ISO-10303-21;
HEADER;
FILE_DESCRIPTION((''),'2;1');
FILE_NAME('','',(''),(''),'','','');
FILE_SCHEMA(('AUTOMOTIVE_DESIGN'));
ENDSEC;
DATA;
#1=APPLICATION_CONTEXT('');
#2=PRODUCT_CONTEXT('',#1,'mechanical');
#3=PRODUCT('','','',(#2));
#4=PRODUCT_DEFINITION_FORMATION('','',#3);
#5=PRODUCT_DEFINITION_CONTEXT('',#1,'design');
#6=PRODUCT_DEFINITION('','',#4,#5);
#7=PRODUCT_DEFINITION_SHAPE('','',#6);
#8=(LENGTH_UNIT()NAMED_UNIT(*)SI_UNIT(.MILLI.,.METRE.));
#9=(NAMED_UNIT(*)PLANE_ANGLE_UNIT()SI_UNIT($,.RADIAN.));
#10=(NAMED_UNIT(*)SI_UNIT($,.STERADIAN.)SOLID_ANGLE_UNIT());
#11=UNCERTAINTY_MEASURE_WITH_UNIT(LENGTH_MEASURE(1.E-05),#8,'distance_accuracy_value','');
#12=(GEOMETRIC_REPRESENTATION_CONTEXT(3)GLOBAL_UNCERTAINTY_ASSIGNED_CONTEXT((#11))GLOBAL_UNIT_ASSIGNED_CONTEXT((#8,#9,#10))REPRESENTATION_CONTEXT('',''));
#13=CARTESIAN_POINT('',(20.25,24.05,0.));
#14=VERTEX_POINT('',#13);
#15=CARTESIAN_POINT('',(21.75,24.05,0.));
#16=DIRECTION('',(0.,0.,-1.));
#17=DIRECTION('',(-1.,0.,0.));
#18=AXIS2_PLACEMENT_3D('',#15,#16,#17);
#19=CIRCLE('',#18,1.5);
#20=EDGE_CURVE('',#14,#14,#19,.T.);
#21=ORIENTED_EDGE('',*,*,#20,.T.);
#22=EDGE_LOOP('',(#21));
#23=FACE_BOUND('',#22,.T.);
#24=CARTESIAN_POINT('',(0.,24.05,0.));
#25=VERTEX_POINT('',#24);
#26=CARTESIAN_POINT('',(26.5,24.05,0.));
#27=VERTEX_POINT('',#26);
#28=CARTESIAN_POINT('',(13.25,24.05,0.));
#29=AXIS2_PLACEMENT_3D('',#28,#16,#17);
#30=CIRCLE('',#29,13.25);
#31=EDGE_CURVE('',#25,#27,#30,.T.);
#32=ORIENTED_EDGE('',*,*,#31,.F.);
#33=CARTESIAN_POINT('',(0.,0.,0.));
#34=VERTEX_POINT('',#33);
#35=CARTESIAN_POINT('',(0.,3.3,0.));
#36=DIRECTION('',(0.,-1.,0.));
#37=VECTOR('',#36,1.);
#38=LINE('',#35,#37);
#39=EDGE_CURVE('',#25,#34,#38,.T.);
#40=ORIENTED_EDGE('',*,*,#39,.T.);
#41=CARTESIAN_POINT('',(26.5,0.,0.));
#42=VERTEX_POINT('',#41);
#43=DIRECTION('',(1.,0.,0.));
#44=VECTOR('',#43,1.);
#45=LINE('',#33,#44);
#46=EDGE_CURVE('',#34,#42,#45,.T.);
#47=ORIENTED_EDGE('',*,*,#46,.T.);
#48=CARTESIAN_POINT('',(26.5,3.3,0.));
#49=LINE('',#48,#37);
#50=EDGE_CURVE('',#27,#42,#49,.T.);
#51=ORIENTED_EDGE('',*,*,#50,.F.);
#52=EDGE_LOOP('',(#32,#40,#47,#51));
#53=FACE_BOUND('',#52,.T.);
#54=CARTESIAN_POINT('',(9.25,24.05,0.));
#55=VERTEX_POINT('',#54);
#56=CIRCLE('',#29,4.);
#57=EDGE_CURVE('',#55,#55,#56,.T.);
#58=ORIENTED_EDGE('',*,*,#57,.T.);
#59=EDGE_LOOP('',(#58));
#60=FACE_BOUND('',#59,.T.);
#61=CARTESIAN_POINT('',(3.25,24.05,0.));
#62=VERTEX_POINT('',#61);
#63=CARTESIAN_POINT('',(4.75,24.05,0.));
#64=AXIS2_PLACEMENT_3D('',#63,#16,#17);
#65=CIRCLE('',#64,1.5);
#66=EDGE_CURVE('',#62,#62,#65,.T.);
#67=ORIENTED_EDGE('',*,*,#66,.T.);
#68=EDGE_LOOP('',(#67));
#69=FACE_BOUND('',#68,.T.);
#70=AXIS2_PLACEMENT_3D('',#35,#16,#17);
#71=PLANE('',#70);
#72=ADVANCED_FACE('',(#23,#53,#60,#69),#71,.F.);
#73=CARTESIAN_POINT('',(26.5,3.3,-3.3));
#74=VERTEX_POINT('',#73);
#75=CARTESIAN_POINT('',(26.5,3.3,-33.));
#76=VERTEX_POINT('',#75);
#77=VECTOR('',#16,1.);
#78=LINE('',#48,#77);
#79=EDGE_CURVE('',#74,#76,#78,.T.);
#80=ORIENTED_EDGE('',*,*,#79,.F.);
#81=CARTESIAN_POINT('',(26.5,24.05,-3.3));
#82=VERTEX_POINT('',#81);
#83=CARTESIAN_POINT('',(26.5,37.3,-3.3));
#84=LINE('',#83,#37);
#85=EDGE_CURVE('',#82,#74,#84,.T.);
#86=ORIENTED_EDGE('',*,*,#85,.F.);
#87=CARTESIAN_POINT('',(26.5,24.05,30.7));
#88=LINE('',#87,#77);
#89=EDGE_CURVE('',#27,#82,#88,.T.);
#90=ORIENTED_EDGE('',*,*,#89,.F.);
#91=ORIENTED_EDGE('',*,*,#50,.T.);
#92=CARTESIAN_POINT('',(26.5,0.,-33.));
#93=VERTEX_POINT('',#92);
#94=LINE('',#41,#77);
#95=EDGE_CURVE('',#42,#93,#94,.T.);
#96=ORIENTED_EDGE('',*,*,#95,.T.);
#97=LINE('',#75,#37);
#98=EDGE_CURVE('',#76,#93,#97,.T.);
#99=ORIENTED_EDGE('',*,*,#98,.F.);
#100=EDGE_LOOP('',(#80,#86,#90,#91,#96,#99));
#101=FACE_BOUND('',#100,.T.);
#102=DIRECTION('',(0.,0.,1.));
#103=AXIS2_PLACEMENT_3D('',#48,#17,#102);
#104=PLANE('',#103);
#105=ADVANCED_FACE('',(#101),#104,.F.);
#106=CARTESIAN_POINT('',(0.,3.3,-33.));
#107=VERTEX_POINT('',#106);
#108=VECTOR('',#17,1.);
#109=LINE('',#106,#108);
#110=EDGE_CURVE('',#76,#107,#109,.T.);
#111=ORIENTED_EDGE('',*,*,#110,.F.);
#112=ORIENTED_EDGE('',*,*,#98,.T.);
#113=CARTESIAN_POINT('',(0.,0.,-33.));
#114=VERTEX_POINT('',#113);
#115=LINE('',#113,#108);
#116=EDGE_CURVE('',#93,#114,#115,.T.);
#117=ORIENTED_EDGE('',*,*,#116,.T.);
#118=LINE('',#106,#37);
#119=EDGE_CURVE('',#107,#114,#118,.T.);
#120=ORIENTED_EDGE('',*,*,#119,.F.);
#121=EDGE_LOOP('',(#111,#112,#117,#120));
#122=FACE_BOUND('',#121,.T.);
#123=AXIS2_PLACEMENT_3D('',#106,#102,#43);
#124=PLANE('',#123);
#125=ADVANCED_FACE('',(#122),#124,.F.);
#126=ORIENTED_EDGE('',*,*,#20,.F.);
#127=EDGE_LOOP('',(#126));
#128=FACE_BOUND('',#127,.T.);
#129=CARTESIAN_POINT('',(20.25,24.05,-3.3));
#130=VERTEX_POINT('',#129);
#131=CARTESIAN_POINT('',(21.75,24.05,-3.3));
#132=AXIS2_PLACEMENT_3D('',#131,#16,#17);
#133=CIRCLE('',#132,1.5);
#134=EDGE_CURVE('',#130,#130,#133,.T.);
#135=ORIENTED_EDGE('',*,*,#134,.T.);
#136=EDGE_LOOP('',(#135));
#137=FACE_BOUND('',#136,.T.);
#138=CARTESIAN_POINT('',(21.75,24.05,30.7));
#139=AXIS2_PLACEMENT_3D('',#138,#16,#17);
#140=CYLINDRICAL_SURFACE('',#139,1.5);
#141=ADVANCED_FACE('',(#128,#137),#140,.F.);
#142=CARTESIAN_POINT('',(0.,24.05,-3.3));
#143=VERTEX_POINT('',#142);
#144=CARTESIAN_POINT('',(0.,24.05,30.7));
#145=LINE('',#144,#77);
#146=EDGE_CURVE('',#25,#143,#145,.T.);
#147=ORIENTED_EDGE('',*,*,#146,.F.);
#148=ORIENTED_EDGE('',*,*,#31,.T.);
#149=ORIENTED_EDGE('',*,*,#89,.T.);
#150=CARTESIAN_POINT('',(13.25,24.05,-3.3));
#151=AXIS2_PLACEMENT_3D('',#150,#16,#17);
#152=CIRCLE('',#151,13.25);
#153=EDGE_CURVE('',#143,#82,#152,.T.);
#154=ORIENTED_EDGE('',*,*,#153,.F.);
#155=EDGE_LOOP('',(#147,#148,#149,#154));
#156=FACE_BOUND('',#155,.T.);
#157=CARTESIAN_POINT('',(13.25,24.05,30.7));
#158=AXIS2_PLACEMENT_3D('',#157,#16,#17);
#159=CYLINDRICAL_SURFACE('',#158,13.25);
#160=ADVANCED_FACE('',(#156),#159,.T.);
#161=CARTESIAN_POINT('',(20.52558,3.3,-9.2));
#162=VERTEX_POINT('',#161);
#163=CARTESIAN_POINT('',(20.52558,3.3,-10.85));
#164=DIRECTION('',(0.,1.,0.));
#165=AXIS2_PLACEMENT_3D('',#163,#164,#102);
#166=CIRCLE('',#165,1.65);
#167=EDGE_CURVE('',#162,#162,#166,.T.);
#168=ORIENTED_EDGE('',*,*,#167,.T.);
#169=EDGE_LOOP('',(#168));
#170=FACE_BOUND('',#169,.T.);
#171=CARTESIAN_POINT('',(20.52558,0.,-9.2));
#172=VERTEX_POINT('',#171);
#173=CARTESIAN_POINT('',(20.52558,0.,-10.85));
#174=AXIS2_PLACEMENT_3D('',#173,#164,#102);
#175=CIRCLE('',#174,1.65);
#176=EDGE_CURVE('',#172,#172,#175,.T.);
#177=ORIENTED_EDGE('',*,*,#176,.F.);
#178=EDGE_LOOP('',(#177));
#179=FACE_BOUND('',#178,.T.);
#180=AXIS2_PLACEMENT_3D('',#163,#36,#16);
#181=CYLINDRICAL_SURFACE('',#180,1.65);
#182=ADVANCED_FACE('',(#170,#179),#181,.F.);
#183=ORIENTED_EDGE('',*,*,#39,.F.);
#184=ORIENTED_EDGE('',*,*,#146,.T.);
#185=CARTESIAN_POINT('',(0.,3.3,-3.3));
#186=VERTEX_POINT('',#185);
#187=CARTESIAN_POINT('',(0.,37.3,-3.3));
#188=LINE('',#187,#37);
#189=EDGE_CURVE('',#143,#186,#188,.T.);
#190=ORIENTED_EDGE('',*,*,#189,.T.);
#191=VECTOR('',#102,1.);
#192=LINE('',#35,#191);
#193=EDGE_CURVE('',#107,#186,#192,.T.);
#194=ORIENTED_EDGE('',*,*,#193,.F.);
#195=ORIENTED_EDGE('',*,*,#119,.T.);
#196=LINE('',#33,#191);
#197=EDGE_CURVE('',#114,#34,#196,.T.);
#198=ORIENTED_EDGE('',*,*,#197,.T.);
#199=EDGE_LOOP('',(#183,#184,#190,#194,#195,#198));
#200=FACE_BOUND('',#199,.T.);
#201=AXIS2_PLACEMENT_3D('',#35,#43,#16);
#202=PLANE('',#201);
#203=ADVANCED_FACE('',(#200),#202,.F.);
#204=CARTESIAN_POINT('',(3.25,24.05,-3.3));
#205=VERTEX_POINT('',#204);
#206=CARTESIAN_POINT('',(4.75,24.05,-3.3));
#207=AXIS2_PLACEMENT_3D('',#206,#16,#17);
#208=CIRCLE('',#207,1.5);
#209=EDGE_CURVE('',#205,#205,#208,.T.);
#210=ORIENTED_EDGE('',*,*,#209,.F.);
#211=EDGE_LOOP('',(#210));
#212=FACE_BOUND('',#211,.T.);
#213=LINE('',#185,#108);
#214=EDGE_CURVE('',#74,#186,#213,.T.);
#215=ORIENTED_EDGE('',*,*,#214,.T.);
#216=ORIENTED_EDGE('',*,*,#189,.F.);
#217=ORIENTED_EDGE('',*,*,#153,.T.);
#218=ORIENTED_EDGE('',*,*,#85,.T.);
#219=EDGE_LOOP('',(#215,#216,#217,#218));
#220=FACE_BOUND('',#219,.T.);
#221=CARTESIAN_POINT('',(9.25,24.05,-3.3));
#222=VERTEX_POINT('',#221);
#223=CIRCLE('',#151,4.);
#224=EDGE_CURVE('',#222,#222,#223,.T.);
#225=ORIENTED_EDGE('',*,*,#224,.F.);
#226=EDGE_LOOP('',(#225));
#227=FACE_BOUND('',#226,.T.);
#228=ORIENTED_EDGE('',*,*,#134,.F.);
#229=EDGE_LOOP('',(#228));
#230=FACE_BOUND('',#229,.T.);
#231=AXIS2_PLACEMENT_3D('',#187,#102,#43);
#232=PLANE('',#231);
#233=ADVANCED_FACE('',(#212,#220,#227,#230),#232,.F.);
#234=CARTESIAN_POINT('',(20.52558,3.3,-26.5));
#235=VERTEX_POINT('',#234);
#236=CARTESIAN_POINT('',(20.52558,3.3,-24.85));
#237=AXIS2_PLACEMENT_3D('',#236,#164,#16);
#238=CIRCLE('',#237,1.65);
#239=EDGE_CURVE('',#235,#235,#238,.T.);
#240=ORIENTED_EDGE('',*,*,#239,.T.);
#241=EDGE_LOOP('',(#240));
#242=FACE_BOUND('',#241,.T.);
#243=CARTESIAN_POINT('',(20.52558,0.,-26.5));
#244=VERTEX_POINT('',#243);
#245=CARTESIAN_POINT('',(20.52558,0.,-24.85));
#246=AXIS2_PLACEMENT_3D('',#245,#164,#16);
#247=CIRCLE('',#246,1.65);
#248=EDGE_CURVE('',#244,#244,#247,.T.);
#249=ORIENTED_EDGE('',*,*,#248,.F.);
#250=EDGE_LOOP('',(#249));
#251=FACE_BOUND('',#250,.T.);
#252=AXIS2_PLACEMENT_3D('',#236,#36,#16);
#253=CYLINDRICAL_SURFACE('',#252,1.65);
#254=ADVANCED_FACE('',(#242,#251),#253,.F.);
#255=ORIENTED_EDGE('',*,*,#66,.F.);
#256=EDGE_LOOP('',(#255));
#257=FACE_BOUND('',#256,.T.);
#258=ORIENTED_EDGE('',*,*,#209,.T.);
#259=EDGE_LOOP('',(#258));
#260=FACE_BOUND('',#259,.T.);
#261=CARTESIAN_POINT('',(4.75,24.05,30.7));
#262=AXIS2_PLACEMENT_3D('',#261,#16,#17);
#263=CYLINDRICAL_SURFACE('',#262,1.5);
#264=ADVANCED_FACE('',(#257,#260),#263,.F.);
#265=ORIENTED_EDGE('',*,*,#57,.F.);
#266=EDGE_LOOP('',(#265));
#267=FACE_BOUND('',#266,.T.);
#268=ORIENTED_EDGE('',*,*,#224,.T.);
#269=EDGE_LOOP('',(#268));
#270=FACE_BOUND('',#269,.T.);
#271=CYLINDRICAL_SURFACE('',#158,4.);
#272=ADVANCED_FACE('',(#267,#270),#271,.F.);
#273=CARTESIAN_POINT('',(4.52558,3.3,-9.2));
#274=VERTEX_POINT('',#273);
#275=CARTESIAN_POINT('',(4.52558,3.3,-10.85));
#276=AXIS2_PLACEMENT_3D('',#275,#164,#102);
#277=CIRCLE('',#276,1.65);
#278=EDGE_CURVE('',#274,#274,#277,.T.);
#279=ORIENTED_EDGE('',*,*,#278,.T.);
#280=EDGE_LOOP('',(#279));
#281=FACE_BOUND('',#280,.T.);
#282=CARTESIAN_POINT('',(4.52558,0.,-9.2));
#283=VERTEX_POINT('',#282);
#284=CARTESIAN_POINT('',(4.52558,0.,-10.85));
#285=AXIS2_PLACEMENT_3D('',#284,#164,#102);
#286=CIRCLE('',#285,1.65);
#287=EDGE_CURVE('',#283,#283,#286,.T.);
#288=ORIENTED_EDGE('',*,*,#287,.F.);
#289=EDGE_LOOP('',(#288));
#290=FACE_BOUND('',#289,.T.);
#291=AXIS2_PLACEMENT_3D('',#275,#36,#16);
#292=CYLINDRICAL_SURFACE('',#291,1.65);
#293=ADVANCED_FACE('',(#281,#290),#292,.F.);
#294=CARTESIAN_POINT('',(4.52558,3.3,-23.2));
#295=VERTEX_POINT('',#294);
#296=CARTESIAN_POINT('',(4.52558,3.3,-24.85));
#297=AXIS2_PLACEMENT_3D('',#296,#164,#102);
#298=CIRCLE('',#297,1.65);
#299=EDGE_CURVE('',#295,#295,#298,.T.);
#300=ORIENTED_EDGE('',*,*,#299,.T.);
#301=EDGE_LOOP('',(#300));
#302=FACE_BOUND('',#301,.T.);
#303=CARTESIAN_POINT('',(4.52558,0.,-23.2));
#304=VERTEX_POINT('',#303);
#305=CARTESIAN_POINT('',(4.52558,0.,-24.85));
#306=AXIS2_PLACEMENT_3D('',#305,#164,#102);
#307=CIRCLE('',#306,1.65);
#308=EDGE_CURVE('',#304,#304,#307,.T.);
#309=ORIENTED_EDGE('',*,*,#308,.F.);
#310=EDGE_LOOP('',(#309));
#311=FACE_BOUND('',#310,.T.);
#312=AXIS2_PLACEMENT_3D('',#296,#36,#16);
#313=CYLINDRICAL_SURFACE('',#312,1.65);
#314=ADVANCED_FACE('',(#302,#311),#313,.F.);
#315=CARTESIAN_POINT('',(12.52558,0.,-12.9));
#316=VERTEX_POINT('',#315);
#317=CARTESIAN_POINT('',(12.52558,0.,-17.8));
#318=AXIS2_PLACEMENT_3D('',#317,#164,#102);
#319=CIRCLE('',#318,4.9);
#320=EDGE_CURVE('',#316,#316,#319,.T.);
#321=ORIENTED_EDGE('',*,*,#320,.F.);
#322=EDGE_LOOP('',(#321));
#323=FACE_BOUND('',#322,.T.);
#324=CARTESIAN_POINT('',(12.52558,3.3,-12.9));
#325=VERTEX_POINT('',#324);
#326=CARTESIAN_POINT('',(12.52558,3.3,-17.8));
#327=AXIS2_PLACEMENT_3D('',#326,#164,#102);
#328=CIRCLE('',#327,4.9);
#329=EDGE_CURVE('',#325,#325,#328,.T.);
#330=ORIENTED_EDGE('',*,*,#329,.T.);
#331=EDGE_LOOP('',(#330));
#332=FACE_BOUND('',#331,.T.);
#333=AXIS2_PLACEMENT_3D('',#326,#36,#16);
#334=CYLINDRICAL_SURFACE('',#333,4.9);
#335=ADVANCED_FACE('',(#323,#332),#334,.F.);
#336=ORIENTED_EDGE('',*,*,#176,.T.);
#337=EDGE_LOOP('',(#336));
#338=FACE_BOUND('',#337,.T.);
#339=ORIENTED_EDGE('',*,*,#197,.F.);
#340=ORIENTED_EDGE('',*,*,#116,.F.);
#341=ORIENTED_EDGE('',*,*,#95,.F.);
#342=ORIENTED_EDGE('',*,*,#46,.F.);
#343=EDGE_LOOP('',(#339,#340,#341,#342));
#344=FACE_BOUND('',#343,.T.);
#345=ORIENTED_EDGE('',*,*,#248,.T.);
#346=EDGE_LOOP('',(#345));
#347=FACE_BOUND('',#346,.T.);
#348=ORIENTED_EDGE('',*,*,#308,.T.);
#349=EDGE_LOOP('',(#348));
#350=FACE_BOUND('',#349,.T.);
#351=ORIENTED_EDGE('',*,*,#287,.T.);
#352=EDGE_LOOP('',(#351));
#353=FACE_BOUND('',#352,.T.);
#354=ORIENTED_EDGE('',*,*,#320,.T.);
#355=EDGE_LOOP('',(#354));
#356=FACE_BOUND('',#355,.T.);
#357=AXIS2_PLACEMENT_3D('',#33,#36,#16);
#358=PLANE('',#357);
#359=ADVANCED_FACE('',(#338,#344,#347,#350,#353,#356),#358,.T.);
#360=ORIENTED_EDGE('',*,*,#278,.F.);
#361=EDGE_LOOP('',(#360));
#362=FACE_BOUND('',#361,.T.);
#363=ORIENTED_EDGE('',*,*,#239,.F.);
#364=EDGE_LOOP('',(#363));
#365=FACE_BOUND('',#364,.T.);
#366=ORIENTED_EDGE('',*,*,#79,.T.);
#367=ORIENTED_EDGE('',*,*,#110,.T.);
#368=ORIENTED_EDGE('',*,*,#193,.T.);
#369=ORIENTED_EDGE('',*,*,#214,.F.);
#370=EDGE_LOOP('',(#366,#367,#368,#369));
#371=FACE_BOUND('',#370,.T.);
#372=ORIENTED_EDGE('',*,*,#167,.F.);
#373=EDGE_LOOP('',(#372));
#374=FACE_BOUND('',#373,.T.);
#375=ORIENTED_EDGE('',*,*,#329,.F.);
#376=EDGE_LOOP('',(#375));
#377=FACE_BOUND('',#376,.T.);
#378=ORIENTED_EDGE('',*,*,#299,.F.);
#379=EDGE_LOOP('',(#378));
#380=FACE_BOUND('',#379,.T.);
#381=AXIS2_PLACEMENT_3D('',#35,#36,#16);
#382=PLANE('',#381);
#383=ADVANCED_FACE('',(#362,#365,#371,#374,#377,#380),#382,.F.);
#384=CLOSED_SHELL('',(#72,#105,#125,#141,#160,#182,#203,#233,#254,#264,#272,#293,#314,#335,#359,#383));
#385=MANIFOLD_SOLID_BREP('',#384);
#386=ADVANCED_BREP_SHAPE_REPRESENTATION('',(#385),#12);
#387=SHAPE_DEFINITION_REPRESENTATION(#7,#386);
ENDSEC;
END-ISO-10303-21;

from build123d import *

# Parameters (mm, degrees)
SKETCH_1_W          = 26.5
SKETCH_1_H          = 33
SKETCH_1_R          = 4.9
SKETCH_1_R_2        = 1.65
EXTRUDE_1_DEPTH     = 3.3
SKETCH_2_W          = 26.5
SKETCH_2_H          = 3.3
EXTRUDE_2_DEPTH     = 34
CUT_EXTRUDE_3_DEPTH = 34
SKETCH_4_R          = 4
SKETCH_4_R_2        = 1.5
CUT_EXTRUDE_4_DEPTH = 34


with BuildPart() as part:
    # 草图1 → 凸台-拉伸1 (new body)
    with BuildSketch(Plane(origin=(0, 0, 0), x_dir=(1, 0, 0), z_dir=(0, 1, 0))):
        with Locations((13.25, 16.5)):
            Rectangle(SKETCH_1_W, SKETCH_1_H)
        with Locations(Location((12.525580031, 17.8, 0), (0, 0, 270))):
            Circle(SKETCH_1_R, mode=Mode.SUBTRACT)
        with Locations(Location((4.525580031, 24.85, 0), (0, 0, 270))):
            Circle(SKETCH_1_R_2, mode=Mode.SUBTRACT)
        with Locations(Location((20.525580031, 24.85, 0), (0, 0, 90))):
            Circle(SKETCH_1_R_2, mode=Mode.SUBTRACT)
        with Locations(Location((4.525580031, 10.85, 0), (0, 0, 270))):
            Circle(SKETCH_1_R_2, mode=Mode.SUBTRACT)
        with Locations(Location((20.525580031, 10.85, 0), (0, 0, 270))):
            Circle(SKETCH_1_R_2, mode=Mode.SUBTRACT)
    extrude(amount=EXTRUDE_1_DEPTH)

    # 草图2 → 凸台-拉伸2 (add)
    with BuildSketch(Plane(origin=(0, 3.3, 0), x_dir=(1, 0, 0), z_dir=(0, 1, 0))):
        with Locations((13.25, 1.65)):
            Rectangle(SKETCH_2_W, SKETCH_2_H)
    extrude(amount=EXTRUDE_2_DEPTH)

    # 草图3 → 切除-拉伸3 (cut)
    with BuildSketch(Plane(origin=(0, 0, -3.3), x_dir=(-1, 0, 0), z_dir=(0, 0, -1))):
        with BuildLine():
            Line((-26.5, 37.3), (-26.5, 24.05))
            ThreePointArc((-26.5, 24.05), (-22.619164851, 33.419164851), (-13.25, 37.3))
            Line((-13.25, 37.3), (-26.5, 37.3))
        make_face()
        with BuildLine():
            ThreePointArc((-13.25, 37.3), (-3.880835149, 33.419164851), (0, 24.05))
            Line((0, 24.05), (0, 37.3))
            Line((0, 37.3), (-13.25, 37.3))
        make_face()
    extrude(amount=-CUT_EXTRUDE_3_DEPTH, mode=Mode.SUBTRACT)

    # 草图4 → 切除-拉伸4 (cut)
    with BuildSketch(Plane(origin=(0, 0, -3.3), x_dir=(-1, 0, 0), z_dir=(0, 0, -1))):
        with Locations((-13.25, 24.05)):
            Circle(SKETCH_4_R)
        with Locations((-4.75, 24.05)):
            Circle(SKETCH_4_R_2)
        with Locations((-21.75, 24.05)):
            Circle(SKETCH_4_R_2)
    extrude(amount=-CUT_EXTRUDE_4_DEPTH, mode=Mode.SUBTRACT)


solid = part.part
